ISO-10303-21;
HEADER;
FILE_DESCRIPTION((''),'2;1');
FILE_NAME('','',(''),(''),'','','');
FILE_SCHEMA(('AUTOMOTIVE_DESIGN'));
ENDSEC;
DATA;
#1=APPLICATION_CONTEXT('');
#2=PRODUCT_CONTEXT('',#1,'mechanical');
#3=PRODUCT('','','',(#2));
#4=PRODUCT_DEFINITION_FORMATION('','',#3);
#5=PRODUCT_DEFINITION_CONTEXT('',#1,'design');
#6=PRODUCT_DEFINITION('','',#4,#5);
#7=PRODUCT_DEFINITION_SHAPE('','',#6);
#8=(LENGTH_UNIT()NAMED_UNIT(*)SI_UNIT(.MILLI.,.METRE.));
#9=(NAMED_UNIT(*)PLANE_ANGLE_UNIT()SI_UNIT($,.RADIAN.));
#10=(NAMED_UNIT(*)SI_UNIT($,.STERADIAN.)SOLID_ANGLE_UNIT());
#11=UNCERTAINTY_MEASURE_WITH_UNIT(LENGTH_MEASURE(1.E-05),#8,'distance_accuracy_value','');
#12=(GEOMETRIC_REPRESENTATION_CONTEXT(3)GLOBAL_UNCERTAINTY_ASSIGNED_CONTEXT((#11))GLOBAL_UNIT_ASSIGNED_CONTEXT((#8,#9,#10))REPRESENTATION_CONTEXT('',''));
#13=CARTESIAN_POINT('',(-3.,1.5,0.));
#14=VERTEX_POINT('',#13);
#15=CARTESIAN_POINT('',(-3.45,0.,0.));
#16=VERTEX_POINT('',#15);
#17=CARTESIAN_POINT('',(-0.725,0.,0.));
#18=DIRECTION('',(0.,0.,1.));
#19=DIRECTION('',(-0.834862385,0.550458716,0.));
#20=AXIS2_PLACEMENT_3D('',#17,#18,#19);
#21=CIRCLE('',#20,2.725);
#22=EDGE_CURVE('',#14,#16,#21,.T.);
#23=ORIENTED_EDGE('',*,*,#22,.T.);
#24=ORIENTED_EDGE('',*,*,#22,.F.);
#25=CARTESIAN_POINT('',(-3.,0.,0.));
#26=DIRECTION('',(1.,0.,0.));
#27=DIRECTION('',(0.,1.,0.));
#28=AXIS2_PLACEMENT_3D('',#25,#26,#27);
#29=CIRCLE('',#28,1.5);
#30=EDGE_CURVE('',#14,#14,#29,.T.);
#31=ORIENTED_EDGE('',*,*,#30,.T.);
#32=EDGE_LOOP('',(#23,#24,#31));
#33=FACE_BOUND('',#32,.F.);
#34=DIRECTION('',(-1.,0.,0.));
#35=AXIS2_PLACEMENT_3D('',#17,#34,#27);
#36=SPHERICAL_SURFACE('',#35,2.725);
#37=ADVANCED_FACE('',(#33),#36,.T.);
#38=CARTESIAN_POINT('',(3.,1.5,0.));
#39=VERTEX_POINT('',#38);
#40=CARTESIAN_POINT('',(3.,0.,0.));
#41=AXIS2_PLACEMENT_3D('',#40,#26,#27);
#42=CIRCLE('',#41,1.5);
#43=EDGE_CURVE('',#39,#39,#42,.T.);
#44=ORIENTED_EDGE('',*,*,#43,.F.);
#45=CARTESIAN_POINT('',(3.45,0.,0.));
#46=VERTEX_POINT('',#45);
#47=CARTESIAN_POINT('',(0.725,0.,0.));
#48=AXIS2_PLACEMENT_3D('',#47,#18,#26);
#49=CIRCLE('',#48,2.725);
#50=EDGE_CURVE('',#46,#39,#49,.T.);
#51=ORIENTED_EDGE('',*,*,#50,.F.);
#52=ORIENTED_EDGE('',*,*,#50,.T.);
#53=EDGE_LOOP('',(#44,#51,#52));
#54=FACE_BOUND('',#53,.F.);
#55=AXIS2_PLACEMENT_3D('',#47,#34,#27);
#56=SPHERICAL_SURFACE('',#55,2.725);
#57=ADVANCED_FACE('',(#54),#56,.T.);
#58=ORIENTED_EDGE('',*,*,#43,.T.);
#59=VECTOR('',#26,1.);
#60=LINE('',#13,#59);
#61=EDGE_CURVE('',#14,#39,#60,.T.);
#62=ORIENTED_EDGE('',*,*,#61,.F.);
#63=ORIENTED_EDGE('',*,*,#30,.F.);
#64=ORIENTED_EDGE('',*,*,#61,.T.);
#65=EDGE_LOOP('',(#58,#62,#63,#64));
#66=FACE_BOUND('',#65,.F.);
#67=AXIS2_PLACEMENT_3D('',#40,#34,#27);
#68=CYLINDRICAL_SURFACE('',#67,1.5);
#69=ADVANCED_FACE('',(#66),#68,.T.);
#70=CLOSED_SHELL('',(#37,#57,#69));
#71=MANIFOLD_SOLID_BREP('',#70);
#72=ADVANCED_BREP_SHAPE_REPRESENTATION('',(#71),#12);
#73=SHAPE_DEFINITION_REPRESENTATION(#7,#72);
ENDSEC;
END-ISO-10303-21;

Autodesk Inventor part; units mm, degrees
ref_plane "YZ Plane" through (0, 0, 0) normal (1, 0, 0) x (0, 1, 0)
ref_plane "XZ Plane" through (0, 0, 0) normal (0, 1, 0) x (-1, 0, 0)
ref_plane "XY Plane" through (0, 0, 0) normal (0, 0, 1) x (1, 0, 0)
sketch "Skizze1" plane through (0, 0, 0) normal (0, 0, 1) x (1, 0, 0)
  line L0 (3, 1.5) -> (-3, 1.5)
  arc A0 (-3, 1.5) -> (-3.45, 0) centre (-0.725, 0) ccw
  arc A1 (3.45, 0) -> (3, 1.5) centre (0.725, 0) ccw
  line L1 (0, 1.8396) -> (0, -0.3066) projected
  line L2 (-3.45, 0) -> (3.45, 0)
  point P0 (0, 0)
  point P1 (-0.2744, 0)
  dimension "d0" = 6
  dimension "d3" = 3
  dimension "d4" = 0.45
revolve "Umdrehung1" add sketch "Skizze1" angle 360 about axis through (-3.45, 0, 0) along (1, 0, 0)
properties part number "DIN 7 - 3 m6 x 6" material "Edelstahl, austenitisch"
